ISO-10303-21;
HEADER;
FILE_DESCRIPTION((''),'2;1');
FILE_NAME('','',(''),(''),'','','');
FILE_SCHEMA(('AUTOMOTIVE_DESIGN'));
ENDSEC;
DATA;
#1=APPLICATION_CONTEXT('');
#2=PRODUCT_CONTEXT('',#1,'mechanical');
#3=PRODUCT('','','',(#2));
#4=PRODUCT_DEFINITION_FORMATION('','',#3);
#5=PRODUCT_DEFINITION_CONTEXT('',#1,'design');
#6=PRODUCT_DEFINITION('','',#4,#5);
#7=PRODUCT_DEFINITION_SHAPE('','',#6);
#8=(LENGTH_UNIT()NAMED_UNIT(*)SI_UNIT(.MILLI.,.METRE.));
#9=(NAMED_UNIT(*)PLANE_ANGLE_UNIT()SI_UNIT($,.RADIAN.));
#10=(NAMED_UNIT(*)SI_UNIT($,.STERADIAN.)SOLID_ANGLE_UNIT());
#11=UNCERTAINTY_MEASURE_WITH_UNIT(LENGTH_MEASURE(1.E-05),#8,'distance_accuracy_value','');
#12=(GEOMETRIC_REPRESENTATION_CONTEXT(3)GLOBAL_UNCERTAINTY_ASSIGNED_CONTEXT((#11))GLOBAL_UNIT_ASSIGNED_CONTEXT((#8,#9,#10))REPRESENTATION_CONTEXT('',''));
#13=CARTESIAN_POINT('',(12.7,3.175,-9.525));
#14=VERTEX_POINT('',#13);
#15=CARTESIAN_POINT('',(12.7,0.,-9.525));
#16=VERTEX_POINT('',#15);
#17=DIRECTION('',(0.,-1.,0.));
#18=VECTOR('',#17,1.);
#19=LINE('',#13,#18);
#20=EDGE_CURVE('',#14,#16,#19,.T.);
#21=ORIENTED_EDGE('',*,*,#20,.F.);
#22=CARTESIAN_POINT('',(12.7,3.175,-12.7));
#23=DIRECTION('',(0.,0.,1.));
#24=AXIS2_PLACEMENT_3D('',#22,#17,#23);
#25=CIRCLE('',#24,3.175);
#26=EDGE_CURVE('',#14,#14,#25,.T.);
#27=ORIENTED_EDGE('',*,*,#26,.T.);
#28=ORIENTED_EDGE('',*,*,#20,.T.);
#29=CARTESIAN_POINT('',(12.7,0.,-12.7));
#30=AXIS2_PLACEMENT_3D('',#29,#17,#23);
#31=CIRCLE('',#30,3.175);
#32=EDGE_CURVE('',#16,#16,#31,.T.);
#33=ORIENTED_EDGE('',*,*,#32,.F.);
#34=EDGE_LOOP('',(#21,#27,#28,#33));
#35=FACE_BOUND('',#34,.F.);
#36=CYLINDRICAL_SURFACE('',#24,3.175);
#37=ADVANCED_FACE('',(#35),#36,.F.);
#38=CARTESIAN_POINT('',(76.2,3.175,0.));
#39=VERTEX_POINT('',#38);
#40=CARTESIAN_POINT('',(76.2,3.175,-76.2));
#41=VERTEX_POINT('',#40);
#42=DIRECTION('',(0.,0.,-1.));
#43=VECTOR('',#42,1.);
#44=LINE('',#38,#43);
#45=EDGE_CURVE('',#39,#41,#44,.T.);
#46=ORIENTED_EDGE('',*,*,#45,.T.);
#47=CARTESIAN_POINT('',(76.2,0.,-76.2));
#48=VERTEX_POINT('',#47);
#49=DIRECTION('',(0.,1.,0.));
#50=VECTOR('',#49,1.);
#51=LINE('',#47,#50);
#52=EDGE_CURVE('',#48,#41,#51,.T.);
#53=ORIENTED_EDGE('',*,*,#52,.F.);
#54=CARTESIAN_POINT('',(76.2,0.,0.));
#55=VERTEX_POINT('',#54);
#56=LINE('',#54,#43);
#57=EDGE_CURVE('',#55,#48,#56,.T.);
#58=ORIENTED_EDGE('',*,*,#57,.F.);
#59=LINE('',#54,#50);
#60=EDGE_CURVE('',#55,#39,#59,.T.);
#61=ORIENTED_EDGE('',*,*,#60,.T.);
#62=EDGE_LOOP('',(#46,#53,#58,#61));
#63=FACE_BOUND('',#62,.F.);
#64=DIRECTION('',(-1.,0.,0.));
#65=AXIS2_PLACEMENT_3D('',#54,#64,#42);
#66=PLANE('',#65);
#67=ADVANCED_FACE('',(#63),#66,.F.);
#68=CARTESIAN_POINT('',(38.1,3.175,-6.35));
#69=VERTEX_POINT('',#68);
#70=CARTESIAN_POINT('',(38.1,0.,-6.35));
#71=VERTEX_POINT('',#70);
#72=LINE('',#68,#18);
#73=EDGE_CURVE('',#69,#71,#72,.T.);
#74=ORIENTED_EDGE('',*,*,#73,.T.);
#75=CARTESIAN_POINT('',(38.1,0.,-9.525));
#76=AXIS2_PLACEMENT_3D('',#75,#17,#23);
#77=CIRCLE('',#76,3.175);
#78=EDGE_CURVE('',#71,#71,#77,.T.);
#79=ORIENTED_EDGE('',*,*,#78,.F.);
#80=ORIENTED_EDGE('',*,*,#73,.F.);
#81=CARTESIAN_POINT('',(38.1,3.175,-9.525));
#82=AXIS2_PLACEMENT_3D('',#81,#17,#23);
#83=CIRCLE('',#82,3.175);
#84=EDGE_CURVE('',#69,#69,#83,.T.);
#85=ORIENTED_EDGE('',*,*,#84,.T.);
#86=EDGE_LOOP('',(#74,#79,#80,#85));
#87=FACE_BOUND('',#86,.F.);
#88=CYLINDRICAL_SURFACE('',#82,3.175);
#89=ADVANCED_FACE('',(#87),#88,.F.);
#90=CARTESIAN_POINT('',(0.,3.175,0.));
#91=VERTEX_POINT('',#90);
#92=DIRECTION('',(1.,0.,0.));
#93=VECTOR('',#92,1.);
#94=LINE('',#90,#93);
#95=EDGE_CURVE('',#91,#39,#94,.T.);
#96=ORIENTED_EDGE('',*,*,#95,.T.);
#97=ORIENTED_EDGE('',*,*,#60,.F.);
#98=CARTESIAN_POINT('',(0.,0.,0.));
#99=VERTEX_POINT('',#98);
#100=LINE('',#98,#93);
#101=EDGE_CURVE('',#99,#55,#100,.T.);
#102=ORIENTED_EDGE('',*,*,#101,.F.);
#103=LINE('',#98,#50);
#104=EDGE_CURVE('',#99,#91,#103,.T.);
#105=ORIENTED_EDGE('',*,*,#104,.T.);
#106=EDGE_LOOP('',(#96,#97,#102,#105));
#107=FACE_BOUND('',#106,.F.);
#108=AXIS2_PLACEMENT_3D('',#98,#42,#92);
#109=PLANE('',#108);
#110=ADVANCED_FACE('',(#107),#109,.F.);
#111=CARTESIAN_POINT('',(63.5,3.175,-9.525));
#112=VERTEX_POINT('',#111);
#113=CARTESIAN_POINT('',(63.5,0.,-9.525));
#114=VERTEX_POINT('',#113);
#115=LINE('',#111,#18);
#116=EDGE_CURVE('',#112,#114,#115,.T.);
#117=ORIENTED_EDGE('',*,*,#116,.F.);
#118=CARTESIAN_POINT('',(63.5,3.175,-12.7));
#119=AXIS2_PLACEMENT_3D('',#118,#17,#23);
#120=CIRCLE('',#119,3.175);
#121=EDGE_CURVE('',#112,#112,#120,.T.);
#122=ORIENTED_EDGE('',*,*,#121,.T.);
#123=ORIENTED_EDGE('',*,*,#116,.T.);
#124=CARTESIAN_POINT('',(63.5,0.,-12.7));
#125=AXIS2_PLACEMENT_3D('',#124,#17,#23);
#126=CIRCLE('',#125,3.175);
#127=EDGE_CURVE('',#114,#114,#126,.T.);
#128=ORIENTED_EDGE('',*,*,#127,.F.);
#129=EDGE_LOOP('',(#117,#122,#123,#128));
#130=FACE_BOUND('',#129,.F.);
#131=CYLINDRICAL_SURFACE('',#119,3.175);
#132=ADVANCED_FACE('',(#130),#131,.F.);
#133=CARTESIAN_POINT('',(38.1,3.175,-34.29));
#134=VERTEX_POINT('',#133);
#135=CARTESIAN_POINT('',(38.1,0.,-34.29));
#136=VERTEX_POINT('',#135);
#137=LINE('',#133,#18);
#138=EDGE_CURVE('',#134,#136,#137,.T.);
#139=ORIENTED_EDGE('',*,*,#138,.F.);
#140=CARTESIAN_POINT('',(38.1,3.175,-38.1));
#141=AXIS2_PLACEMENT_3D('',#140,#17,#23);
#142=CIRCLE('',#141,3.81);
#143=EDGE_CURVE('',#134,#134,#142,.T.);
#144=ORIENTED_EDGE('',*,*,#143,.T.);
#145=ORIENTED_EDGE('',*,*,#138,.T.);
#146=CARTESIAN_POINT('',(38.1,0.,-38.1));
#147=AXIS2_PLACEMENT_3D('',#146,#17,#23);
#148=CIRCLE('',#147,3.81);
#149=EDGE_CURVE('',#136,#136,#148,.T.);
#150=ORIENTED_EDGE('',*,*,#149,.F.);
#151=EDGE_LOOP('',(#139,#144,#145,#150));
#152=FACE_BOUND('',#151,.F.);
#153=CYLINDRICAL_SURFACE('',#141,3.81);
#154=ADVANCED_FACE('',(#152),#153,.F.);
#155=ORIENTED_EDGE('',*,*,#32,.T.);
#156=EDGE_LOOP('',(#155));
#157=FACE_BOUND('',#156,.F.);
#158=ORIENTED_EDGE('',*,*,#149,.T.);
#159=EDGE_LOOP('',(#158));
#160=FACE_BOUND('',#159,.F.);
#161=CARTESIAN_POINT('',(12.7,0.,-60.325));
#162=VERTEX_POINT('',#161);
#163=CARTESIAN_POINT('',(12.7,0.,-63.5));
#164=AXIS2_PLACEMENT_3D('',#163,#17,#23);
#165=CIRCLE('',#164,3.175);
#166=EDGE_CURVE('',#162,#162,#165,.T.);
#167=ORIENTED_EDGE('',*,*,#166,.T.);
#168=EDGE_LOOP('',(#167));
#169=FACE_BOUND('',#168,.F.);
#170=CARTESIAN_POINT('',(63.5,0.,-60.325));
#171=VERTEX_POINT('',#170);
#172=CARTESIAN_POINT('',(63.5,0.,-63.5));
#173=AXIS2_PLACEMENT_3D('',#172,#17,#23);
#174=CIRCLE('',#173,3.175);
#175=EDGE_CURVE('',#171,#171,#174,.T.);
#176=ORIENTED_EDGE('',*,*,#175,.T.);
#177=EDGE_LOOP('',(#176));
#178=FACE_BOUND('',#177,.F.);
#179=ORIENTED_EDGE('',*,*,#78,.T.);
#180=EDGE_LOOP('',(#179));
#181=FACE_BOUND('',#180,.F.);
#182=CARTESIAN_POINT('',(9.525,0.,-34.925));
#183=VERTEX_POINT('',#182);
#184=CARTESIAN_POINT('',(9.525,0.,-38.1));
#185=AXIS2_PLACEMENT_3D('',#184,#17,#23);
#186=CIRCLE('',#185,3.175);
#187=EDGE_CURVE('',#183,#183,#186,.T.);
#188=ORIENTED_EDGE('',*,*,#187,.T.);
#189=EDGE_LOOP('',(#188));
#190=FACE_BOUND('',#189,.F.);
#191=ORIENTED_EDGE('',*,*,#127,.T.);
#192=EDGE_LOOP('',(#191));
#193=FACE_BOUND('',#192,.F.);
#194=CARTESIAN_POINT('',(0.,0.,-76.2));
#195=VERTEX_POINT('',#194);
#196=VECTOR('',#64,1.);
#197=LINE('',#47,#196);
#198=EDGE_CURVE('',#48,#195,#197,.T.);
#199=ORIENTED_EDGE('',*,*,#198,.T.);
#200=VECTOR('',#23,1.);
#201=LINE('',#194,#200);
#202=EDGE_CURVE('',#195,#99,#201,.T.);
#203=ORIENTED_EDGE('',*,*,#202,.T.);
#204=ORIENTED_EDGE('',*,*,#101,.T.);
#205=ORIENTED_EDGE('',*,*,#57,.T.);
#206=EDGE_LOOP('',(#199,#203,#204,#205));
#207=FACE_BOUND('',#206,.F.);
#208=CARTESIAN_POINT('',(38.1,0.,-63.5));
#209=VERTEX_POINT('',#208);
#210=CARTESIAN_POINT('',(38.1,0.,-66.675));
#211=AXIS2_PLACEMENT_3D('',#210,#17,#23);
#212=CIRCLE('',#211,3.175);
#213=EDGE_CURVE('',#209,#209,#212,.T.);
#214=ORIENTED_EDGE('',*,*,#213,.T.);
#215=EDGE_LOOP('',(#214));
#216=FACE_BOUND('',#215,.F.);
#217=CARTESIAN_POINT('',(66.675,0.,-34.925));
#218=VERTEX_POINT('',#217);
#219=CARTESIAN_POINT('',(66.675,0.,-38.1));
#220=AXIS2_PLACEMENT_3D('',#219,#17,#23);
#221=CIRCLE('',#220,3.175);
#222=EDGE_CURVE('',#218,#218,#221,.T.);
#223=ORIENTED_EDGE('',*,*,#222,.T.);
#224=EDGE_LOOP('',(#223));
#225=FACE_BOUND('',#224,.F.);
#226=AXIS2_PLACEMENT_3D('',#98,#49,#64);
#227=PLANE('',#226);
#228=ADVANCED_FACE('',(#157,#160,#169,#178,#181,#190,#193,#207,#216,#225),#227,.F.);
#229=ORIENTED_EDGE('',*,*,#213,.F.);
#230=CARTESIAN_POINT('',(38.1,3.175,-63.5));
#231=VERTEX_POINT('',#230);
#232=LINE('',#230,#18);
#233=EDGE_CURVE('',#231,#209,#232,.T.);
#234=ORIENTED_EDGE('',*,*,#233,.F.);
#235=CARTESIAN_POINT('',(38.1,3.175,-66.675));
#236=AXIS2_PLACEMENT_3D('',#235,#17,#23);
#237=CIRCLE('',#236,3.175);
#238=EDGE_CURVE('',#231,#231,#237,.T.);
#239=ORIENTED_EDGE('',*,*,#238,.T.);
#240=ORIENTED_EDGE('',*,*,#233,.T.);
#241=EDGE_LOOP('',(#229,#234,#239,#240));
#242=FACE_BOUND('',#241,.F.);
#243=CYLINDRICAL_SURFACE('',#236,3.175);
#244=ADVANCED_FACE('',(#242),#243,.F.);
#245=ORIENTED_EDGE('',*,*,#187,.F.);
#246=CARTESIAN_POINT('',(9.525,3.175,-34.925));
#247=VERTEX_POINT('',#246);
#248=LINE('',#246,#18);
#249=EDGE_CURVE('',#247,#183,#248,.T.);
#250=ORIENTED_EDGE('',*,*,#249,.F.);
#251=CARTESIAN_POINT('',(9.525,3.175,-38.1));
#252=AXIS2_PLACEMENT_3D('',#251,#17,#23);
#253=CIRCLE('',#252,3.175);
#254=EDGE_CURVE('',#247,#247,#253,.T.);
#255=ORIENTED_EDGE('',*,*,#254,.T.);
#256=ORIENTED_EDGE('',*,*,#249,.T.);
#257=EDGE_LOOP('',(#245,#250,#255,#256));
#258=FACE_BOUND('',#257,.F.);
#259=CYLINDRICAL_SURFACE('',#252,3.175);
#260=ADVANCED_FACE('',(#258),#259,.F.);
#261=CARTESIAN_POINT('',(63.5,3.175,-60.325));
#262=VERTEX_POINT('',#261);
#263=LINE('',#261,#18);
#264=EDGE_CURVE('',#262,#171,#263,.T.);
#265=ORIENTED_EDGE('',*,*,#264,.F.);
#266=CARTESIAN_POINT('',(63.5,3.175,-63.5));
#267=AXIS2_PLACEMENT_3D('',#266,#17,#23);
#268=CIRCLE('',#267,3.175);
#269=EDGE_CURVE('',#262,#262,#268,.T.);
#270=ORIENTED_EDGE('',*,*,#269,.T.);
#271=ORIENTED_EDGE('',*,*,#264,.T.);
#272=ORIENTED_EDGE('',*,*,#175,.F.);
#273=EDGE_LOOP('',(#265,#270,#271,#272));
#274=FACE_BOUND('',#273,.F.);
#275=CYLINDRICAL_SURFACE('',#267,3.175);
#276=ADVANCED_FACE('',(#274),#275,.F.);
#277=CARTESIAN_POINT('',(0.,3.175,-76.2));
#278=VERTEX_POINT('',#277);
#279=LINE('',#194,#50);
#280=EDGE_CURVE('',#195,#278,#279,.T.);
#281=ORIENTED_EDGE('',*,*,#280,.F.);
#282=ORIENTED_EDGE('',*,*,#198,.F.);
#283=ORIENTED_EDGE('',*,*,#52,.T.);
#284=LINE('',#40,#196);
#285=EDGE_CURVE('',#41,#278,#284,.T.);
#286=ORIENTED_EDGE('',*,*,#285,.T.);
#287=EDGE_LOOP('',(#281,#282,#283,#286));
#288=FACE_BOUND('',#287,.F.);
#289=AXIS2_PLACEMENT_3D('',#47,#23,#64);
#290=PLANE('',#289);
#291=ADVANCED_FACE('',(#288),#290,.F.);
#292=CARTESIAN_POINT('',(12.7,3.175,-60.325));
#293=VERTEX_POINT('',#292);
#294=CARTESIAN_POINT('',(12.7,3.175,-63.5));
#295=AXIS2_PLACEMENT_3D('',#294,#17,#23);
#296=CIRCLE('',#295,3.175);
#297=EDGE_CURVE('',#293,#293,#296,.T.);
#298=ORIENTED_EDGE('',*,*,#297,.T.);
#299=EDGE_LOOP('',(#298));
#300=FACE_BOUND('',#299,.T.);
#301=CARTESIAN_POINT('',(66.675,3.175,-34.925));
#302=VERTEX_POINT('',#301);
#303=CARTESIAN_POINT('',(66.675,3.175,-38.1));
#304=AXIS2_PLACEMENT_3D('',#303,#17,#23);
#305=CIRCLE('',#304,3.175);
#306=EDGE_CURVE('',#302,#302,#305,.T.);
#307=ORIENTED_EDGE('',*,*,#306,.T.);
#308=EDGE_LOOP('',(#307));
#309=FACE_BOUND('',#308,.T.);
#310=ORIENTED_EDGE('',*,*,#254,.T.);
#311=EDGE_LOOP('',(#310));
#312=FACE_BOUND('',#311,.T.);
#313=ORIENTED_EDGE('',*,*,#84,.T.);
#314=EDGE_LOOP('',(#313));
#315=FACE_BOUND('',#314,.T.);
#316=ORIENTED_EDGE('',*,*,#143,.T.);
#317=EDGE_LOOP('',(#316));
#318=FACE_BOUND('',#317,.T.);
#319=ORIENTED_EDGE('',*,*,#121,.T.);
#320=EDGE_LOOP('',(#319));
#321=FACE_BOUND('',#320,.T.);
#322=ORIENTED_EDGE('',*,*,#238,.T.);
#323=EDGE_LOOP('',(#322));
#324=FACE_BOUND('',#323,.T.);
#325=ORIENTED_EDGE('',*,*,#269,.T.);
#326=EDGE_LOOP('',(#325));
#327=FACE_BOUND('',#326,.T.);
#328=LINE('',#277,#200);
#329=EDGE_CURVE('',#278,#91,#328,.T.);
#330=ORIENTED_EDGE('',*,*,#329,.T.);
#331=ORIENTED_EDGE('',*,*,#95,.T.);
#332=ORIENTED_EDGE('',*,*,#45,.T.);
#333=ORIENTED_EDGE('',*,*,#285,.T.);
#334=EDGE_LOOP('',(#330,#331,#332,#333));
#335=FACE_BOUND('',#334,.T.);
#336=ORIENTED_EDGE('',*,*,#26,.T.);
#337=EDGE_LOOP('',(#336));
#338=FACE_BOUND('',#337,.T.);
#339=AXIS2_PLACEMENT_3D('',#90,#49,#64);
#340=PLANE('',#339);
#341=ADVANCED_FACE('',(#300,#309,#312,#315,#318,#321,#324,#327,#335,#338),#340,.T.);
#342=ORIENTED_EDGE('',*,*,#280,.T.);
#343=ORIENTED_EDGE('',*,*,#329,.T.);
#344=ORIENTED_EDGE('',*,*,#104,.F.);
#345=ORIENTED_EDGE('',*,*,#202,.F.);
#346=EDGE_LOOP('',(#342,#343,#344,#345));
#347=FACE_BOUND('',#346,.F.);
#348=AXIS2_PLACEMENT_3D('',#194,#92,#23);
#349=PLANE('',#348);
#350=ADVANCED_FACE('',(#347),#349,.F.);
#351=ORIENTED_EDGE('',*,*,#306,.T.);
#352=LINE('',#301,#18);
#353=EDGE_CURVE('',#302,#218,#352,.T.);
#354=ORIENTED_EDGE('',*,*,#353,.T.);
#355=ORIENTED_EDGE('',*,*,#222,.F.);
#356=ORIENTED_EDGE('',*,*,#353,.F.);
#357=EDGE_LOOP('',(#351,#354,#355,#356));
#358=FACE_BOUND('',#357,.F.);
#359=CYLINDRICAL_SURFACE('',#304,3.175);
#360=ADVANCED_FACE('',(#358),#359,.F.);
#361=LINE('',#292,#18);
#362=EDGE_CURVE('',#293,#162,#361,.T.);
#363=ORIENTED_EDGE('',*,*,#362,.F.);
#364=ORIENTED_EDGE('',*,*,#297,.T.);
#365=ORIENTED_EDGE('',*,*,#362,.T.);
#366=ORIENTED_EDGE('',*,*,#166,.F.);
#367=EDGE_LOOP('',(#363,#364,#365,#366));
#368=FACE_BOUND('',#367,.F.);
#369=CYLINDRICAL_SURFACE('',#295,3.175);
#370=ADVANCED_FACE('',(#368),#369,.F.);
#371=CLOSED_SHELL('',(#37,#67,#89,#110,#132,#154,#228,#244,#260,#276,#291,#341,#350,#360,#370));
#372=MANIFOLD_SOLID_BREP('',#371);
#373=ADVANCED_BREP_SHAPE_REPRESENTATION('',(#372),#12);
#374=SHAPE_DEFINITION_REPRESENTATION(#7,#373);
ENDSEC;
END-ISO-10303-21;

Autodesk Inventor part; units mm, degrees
ref_plane "YZ Plane" through (0, 0, 0) normal (1, 0, 0) x (0, 1, 0)
ref_plane "XZ Plane" through (0, 0, 0) normal (0, 1, 0) x (-1, 0, 0)
ref_plane "XY Plane" through (0, 0, 0) normal (0, 0, 1) x (1, 0, 0)
sketch "Sketch1" plane through (0, 0, 0) normal (0, 1, 0) x (-1, 0, 0)
  line L0 (0, 0) -> (-76.2, 0)
  line L1 (-76.2, 0) -> (-76.2, -76.2)
  line L2 (-76.2, -76.2) -> (0, -76.2)
  line L3 (0, -76.2) -> (0, 0)
  dimension "d0" = 76.2
  dimension "d1" = 76.2
extrude "Extrusion1" add sketch "Sketch1" along normal blind 3.175
sketch "Sketch2" plane through (0, 3.175, 0) normal (0, 1, 0) x (1, 0, 0)
  line L0 (76.2, 76.2) -> (0, 76.2) projected
  line L1 (0, 76.2) -> (0, 0) projected
  line L2 (9.525, 38.1) -> (38.1, 66.675)
  line L3 (38.1, 66.675) -> (66.675, 38.1)
  line L4 (66.675, 38.1) -> (38.1, 9.525)
  line L5 (38.1, 9.525) -> (9.525, 38.1)
  line L6 (0, 0) -> (76.2, 0) projected
  dimension "d5" = 57.15
  dimension "d7" = 57.15
  dimension "d8" = 9.525
  dimension "d9" = 9.525
  dimension "d29" = 45
hole "Hole1" at (38.1, 3.175, -66.675) at (9.525, 3.175, -38.1) at (38.1, 3.175, -9.525) at (66.675, 3.175, -38.1) direction (0, -1, 0) diameter 6.35 end through all
sketch "Sketch3" plane through (0, 3.175, 0) normal (0, 1, 0) x (1, 0, 0)
  line L0 (76.2, 0) -> (76.2, 76.2) projected
  line L1 (76.2, 76.2) -> (0, 76.2) projected
  line L2 (12.7, 63.5) -> (63.5, 63.5)
  line L3 (63.5, 63.5) -> (63.5, 12.7)
  line L4 (63.5, 12.7) -> (12.7, 12.7)
  line L5 (12.7, 12.7) -> (12.7, 63.5)
  dimension "d17" = 50.8
  dimension "d19" = 50.8
  dimension "d20" = 12.7
  dimension "d21" = 12.7
hole "Hole2" at (12.7, 3.175, -63.5) at (63.5, 3.175, -63.5) at (12.7, 3.175, -12.7) at (63.5, 3.175, -12.7) direction (0, -1, 0) diameter 6.35 end through all
sketch "Sketch4" plane through (0, 3.175, 0) normal (0, 1, 0) x (1, 0, 0)
  line L0 (0, 0) -> (76.2, 0) projected
  line L1 (76.2, 0) -> (76.2, 76.2) projected
  point P0 (38.1, 38.1)
  dimension "d34" = 38.1
  dimension "d35" = 38.1
hole "Hole3" at (38.1, 3.175, -38.1) direction (0, -1, 0) diameter 7.62 end through all
properties part number "CouplerBridge"
